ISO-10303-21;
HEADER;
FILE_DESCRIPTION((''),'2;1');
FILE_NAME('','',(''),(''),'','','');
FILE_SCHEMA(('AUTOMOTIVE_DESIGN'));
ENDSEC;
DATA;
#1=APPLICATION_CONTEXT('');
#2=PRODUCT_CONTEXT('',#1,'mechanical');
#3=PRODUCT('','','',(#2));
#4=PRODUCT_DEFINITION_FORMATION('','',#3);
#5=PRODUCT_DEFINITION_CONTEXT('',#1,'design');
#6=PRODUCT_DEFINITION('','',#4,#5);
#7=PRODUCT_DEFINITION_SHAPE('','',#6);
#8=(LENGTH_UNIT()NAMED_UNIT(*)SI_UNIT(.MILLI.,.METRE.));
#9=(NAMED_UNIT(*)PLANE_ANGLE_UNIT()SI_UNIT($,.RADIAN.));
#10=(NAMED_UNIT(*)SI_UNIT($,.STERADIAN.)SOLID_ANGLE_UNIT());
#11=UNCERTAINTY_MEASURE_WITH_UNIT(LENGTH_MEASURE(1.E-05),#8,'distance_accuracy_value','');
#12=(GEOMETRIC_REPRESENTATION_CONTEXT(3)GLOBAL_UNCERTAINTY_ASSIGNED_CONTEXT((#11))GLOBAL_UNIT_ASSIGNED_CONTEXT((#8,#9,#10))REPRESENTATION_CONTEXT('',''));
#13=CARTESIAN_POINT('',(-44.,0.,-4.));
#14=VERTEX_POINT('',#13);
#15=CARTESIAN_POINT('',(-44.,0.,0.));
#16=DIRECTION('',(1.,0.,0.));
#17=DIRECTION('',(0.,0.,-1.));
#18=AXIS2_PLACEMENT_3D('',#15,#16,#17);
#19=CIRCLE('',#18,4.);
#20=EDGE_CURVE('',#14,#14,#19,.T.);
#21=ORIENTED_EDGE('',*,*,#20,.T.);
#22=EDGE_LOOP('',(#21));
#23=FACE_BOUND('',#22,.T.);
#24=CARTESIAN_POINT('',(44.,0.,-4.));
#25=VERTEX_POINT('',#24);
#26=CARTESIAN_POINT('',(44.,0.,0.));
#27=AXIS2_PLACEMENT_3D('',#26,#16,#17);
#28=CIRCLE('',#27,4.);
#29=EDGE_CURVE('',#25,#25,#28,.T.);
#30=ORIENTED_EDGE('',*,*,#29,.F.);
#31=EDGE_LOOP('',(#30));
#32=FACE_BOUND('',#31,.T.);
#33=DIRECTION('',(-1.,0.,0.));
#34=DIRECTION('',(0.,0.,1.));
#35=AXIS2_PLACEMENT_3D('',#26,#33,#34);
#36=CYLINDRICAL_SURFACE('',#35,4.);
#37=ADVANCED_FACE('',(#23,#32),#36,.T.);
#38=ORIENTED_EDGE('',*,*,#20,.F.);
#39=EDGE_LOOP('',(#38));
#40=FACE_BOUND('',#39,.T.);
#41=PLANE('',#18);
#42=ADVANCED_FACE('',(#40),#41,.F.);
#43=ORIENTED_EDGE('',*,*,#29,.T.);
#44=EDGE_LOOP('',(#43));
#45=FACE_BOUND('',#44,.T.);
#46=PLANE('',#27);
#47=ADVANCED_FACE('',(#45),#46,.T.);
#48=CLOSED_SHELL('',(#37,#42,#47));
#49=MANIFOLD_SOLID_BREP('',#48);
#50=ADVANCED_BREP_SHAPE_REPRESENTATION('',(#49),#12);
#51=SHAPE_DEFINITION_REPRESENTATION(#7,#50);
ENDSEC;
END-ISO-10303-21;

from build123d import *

# Parameters (mm, degrees)
SKETCH1_R           = 4
BOSS_EXTRUDE1_DEPTH = 44


with BuildPart() as part:
    # Sketch1 → Boss-Extrude1 (new, symmetric)
    with BuildSketch(Plane(origin=(0, 0, 0), x_dir=(0, 0, -1), z_dir=(1, 0, 0))):
        Circle(SKETCH1_R)
    extrude(amount=BOSS_EXTRUDE1_DEPTH, both=True)


solid = part.part
